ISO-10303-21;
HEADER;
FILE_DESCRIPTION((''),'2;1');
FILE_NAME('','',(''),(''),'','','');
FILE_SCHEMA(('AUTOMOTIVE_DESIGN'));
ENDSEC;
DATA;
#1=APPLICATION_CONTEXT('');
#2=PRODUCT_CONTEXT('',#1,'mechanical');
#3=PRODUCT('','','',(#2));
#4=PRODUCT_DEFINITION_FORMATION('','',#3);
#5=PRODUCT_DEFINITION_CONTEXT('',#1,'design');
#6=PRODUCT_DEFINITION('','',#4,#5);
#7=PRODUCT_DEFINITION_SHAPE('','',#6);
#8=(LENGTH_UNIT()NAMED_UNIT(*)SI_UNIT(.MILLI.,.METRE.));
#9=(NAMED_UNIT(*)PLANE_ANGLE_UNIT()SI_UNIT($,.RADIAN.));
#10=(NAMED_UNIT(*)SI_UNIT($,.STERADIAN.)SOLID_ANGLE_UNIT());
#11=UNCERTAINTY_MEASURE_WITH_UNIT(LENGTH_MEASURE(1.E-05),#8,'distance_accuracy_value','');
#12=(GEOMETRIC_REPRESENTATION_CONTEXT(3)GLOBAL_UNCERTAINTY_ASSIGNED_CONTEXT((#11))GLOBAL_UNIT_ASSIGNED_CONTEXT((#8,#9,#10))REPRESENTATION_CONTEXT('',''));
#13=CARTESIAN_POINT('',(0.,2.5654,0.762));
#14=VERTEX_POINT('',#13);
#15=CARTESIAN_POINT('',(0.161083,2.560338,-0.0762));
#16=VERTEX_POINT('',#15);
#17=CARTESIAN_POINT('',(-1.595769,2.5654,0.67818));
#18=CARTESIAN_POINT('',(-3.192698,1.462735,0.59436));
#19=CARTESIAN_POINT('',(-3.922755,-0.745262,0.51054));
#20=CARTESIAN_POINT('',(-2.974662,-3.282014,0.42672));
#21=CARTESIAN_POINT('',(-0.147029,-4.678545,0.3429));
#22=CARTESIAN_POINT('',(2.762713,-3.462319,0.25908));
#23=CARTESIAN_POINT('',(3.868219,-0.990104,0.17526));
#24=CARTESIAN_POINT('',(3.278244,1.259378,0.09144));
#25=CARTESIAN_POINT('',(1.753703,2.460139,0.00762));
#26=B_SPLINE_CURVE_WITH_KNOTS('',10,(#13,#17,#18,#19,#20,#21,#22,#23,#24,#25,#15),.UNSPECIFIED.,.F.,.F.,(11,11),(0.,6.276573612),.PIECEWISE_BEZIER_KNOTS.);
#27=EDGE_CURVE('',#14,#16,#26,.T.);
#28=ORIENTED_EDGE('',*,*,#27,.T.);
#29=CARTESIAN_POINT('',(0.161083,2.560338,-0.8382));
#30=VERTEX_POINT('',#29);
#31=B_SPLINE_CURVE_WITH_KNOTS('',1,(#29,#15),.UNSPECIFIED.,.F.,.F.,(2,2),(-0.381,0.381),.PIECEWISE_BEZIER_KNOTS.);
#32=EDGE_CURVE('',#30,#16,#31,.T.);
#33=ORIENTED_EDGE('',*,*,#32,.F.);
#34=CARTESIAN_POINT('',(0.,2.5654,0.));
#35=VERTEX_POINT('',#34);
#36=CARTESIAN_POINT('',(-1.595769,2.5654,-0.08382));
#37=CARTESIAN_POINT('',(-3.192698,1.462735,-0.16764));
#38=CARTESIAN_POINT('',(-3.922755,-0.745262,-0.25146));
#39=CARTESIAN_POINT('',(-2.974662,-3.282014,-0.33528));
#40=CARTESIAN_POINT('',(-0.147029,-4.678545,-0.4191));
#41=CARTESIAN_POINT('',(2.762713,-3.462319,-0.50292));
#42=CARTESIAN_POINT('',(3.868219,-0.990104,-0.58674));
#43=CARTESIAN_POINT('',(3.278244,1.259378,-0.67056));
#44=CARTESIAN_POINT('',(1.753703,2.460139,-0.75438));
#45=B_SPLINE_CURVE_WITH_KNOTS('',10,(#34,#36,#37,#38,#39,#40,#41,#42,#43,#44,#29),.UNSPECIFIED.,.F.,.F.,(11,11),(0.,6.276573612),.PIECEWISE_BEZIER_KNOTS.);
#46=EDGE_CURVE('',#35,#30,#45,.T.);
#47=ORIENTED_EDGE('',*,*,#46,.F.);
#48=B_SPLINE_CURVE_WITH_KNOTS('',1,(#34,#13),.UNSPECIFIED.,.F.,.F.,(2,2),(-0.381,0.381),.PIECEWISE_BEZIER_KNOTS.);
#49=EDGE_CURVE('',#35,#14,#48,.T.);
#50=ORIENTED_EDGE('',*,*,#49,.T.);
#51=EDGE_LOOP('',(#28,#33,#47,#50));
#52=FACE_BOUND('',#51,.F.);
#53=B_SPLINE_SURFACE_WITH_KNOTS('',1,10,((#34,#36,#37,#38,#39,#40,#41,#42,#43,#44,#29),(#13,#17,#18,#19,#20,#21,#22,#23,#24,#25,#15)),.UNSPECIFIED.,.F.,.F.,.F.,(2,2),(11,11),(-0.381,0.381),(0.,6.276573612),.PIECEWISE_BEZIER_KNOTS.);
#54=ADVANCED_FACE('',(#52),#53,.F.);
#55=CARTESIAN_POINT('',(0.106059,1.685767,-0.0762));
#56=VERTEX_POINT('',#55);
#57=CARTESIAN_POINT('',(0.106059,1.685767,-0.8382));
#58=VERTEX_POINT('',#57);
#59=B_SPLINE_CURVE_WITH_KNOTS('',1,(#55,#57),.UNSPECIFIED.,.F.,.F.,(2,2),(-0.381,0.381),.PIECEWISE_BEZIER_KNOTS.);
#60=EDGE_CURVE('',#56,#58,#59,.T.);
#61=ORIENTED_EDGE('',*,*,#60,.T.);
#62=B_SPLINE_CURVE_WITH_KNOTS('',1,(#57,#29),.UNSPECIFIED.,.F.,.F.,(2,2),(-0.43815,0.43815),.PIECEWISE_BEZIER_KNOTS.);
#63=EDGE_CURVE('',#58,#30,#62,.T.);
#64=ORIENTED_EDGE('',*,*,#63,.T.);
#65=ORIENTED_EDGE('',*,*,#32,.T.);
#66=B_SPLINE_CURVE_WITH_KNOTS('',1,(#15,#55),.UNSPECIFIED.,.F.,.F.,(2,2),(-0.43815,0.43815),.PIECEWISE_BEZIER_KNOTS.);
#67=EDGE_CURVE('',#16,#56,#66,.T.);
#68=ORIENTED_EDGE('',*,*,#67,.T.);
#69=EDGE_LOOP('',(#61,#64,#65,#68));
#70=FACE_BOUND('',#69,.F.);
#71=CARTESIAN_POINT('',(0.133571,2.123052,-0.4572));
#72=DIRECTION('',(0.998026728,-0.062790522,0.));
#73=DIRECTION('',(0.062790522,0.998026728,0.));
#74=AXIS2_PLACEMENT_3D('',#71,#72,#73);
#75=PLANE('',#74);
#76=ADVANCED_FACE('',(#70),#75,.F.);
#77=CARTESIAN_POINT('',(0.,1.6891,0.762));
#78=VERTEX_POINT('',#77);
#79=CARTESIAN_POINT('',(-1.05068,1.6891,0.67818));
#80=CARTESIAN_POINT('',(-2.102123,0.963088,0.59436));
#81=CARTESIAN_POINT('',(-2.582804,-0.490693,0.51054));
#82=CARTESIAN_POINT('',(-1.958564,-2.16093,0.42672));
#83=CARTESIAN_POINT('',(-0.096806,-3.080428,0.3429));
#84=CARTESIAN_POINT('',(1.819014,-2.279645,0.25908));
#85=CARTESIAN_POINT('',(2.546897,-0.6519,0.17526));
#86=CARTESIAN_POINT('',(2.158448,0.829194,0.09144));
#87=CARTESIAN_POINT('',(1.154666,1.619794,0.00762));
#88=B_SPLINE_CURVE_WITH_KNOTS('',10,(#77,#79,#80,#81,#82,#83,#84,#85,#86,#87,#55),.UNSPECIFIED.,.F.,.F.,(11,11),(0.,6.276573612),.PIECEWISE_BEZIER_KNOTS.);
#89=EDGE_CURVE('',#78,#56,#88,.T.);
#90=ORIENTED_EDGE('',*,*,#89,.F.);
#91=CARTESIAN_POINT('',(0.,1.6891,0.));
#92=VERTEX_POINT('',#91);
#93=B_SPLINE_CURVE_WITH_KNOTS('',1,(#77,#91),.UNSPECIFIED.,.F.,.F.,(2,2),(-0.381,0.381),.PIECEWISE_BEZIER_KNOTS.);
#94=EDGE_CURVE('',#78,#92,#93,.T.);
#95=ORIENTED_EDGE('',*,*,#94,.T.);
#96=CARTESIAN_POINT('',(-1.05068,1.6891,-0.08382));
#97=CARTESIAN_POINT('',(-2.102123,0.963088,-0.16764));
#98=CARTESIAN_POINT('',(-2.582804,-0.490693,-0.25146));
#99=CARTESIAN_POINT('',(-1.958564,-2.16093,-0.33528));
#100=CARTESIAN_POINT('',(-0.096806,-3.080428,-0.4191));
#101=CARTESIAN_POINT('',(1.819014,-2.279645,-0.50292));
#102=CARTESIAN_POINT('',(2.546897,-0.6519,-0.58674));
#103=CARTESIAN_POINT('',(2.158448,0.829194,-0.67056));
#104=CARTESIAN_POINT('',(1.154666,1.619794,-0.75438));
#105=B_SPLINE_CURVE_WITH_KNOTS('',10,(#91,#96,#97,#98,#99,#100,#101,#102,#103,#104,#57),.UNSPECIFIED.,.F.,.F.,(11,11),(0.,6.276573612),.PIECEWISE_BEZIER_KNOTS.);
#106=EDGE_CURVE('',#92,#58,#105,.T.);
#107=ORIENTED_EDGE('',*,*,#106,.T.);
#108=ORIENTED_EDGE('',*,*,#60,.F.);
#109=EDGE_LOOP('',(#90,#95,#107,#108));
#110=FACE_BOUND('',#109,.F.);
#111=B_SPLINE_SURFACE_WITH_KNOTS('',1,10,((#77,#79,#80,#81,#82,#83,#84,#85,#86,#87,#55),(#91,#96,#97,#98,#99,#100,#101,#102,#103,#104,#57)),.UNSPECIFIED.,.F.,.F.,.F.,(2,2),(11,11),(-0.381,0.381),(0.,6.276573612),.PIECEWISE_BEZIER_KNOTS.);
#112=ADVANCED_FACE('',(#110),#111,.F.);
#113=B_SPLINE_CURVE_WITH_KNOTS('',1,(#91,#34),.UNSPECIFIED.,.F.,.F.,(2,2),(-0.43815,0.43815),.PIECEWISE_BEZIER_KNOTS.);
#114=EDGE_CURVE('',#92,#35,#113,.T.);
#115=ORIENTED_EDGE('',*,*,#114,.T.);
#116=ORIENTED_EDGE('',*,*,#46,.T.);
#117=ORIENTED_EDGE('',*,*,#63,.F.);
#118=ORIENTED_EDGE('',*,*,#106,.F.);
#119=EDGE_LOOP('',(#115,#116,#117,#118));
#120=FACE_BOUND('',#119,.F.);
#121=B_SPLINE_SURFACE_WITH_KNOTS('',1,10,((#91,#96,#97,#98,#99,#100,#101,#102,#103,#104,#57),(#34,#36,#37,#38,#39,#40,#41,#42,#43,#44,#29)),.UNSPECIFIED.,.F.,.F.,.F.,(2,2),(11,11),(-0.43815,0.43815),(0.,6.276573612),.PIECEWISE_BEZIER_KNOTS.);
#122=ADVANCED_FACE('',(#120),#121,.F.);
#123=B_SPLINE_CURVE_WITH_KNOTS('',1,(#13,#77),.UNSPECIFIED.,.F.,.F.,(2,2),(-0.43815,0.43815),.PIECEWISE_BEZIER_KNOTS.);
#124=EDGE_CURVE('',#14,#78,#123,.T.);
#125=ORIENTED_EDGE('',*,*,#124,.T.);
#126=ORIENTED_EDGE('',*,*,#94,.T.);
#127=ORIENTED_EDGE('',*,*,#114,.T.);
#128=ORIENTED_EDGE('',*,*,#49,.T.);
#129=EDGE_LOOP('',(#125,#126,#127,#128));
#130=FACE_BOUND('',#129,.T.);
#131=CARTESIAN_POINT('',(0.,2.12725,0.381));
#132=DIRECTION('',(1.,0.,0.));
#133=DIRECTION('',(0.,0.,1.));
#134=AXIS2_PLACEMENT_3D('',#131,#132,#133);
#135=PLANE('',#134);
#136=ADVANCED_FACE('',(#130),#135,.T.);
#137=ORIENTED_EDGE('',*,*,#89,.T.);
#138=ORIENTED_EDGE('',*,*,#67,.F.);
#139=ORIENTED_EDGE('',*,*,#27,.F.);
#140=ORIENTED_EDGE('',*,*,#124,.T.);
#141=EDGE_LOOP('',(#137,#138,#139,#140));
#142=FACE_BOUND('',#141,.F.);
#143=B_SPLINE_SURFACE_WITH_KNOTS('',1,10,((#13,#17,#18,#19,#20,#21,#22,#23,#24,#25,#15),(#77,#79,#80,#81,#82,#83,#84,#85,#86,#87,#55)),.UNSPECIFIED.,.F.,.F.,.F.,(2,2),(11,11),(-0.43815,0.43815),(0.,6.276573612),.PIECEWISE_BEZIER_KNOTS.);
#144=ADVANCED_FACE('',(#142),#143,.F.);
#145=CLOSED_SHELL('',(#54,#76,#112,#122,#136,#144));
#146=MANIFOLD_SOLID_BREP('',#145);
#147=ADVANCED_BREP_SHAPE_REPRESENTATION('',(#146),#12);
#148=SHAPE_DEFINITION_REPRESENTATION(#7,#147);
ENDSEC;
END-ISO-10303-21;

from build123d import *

# Parameters (mm, degrees)
SWEEP1_PITCH       = 0.846666667
SWEEP1_HEIGHT      = 0.8382
SWEEP1_RADIUS      = 2.5654
SWEEP1_START_ANGLE = 90
SKETCH2_W          = 0.762
SKETCH2_H          = 0.8763


with BuildPart() as part:
    # Sweep1: sweep along a helix
    with BuildLine() as sweep1_path:
        add(Helix(SWEEP1_PITCH, SWEEP1_HEIGHT, SWEEP1_RADIUS, center=(0, 0, 0), direction=(0, 0, -1), lefthand=True, mode=Mode.PRIVATE).rotate(Axis((0, 0, 0), (0, 0, -1)), SWEEP1_START_ANGLE))
    # Sketch2 → Sweep1 (sweep)
    with BuildSketch(Plane(origin=(0, 0, 0), x_dir=(0, 0, -1), z_dir=(1, 0, 0))):
        with Locations((-0.381, 2.12725)):
            Rectangle(SKETCH2_W, SKETCH2_H)
    sweep(path=sweep1_path.line, is_frenet=True)


solid = part.part
